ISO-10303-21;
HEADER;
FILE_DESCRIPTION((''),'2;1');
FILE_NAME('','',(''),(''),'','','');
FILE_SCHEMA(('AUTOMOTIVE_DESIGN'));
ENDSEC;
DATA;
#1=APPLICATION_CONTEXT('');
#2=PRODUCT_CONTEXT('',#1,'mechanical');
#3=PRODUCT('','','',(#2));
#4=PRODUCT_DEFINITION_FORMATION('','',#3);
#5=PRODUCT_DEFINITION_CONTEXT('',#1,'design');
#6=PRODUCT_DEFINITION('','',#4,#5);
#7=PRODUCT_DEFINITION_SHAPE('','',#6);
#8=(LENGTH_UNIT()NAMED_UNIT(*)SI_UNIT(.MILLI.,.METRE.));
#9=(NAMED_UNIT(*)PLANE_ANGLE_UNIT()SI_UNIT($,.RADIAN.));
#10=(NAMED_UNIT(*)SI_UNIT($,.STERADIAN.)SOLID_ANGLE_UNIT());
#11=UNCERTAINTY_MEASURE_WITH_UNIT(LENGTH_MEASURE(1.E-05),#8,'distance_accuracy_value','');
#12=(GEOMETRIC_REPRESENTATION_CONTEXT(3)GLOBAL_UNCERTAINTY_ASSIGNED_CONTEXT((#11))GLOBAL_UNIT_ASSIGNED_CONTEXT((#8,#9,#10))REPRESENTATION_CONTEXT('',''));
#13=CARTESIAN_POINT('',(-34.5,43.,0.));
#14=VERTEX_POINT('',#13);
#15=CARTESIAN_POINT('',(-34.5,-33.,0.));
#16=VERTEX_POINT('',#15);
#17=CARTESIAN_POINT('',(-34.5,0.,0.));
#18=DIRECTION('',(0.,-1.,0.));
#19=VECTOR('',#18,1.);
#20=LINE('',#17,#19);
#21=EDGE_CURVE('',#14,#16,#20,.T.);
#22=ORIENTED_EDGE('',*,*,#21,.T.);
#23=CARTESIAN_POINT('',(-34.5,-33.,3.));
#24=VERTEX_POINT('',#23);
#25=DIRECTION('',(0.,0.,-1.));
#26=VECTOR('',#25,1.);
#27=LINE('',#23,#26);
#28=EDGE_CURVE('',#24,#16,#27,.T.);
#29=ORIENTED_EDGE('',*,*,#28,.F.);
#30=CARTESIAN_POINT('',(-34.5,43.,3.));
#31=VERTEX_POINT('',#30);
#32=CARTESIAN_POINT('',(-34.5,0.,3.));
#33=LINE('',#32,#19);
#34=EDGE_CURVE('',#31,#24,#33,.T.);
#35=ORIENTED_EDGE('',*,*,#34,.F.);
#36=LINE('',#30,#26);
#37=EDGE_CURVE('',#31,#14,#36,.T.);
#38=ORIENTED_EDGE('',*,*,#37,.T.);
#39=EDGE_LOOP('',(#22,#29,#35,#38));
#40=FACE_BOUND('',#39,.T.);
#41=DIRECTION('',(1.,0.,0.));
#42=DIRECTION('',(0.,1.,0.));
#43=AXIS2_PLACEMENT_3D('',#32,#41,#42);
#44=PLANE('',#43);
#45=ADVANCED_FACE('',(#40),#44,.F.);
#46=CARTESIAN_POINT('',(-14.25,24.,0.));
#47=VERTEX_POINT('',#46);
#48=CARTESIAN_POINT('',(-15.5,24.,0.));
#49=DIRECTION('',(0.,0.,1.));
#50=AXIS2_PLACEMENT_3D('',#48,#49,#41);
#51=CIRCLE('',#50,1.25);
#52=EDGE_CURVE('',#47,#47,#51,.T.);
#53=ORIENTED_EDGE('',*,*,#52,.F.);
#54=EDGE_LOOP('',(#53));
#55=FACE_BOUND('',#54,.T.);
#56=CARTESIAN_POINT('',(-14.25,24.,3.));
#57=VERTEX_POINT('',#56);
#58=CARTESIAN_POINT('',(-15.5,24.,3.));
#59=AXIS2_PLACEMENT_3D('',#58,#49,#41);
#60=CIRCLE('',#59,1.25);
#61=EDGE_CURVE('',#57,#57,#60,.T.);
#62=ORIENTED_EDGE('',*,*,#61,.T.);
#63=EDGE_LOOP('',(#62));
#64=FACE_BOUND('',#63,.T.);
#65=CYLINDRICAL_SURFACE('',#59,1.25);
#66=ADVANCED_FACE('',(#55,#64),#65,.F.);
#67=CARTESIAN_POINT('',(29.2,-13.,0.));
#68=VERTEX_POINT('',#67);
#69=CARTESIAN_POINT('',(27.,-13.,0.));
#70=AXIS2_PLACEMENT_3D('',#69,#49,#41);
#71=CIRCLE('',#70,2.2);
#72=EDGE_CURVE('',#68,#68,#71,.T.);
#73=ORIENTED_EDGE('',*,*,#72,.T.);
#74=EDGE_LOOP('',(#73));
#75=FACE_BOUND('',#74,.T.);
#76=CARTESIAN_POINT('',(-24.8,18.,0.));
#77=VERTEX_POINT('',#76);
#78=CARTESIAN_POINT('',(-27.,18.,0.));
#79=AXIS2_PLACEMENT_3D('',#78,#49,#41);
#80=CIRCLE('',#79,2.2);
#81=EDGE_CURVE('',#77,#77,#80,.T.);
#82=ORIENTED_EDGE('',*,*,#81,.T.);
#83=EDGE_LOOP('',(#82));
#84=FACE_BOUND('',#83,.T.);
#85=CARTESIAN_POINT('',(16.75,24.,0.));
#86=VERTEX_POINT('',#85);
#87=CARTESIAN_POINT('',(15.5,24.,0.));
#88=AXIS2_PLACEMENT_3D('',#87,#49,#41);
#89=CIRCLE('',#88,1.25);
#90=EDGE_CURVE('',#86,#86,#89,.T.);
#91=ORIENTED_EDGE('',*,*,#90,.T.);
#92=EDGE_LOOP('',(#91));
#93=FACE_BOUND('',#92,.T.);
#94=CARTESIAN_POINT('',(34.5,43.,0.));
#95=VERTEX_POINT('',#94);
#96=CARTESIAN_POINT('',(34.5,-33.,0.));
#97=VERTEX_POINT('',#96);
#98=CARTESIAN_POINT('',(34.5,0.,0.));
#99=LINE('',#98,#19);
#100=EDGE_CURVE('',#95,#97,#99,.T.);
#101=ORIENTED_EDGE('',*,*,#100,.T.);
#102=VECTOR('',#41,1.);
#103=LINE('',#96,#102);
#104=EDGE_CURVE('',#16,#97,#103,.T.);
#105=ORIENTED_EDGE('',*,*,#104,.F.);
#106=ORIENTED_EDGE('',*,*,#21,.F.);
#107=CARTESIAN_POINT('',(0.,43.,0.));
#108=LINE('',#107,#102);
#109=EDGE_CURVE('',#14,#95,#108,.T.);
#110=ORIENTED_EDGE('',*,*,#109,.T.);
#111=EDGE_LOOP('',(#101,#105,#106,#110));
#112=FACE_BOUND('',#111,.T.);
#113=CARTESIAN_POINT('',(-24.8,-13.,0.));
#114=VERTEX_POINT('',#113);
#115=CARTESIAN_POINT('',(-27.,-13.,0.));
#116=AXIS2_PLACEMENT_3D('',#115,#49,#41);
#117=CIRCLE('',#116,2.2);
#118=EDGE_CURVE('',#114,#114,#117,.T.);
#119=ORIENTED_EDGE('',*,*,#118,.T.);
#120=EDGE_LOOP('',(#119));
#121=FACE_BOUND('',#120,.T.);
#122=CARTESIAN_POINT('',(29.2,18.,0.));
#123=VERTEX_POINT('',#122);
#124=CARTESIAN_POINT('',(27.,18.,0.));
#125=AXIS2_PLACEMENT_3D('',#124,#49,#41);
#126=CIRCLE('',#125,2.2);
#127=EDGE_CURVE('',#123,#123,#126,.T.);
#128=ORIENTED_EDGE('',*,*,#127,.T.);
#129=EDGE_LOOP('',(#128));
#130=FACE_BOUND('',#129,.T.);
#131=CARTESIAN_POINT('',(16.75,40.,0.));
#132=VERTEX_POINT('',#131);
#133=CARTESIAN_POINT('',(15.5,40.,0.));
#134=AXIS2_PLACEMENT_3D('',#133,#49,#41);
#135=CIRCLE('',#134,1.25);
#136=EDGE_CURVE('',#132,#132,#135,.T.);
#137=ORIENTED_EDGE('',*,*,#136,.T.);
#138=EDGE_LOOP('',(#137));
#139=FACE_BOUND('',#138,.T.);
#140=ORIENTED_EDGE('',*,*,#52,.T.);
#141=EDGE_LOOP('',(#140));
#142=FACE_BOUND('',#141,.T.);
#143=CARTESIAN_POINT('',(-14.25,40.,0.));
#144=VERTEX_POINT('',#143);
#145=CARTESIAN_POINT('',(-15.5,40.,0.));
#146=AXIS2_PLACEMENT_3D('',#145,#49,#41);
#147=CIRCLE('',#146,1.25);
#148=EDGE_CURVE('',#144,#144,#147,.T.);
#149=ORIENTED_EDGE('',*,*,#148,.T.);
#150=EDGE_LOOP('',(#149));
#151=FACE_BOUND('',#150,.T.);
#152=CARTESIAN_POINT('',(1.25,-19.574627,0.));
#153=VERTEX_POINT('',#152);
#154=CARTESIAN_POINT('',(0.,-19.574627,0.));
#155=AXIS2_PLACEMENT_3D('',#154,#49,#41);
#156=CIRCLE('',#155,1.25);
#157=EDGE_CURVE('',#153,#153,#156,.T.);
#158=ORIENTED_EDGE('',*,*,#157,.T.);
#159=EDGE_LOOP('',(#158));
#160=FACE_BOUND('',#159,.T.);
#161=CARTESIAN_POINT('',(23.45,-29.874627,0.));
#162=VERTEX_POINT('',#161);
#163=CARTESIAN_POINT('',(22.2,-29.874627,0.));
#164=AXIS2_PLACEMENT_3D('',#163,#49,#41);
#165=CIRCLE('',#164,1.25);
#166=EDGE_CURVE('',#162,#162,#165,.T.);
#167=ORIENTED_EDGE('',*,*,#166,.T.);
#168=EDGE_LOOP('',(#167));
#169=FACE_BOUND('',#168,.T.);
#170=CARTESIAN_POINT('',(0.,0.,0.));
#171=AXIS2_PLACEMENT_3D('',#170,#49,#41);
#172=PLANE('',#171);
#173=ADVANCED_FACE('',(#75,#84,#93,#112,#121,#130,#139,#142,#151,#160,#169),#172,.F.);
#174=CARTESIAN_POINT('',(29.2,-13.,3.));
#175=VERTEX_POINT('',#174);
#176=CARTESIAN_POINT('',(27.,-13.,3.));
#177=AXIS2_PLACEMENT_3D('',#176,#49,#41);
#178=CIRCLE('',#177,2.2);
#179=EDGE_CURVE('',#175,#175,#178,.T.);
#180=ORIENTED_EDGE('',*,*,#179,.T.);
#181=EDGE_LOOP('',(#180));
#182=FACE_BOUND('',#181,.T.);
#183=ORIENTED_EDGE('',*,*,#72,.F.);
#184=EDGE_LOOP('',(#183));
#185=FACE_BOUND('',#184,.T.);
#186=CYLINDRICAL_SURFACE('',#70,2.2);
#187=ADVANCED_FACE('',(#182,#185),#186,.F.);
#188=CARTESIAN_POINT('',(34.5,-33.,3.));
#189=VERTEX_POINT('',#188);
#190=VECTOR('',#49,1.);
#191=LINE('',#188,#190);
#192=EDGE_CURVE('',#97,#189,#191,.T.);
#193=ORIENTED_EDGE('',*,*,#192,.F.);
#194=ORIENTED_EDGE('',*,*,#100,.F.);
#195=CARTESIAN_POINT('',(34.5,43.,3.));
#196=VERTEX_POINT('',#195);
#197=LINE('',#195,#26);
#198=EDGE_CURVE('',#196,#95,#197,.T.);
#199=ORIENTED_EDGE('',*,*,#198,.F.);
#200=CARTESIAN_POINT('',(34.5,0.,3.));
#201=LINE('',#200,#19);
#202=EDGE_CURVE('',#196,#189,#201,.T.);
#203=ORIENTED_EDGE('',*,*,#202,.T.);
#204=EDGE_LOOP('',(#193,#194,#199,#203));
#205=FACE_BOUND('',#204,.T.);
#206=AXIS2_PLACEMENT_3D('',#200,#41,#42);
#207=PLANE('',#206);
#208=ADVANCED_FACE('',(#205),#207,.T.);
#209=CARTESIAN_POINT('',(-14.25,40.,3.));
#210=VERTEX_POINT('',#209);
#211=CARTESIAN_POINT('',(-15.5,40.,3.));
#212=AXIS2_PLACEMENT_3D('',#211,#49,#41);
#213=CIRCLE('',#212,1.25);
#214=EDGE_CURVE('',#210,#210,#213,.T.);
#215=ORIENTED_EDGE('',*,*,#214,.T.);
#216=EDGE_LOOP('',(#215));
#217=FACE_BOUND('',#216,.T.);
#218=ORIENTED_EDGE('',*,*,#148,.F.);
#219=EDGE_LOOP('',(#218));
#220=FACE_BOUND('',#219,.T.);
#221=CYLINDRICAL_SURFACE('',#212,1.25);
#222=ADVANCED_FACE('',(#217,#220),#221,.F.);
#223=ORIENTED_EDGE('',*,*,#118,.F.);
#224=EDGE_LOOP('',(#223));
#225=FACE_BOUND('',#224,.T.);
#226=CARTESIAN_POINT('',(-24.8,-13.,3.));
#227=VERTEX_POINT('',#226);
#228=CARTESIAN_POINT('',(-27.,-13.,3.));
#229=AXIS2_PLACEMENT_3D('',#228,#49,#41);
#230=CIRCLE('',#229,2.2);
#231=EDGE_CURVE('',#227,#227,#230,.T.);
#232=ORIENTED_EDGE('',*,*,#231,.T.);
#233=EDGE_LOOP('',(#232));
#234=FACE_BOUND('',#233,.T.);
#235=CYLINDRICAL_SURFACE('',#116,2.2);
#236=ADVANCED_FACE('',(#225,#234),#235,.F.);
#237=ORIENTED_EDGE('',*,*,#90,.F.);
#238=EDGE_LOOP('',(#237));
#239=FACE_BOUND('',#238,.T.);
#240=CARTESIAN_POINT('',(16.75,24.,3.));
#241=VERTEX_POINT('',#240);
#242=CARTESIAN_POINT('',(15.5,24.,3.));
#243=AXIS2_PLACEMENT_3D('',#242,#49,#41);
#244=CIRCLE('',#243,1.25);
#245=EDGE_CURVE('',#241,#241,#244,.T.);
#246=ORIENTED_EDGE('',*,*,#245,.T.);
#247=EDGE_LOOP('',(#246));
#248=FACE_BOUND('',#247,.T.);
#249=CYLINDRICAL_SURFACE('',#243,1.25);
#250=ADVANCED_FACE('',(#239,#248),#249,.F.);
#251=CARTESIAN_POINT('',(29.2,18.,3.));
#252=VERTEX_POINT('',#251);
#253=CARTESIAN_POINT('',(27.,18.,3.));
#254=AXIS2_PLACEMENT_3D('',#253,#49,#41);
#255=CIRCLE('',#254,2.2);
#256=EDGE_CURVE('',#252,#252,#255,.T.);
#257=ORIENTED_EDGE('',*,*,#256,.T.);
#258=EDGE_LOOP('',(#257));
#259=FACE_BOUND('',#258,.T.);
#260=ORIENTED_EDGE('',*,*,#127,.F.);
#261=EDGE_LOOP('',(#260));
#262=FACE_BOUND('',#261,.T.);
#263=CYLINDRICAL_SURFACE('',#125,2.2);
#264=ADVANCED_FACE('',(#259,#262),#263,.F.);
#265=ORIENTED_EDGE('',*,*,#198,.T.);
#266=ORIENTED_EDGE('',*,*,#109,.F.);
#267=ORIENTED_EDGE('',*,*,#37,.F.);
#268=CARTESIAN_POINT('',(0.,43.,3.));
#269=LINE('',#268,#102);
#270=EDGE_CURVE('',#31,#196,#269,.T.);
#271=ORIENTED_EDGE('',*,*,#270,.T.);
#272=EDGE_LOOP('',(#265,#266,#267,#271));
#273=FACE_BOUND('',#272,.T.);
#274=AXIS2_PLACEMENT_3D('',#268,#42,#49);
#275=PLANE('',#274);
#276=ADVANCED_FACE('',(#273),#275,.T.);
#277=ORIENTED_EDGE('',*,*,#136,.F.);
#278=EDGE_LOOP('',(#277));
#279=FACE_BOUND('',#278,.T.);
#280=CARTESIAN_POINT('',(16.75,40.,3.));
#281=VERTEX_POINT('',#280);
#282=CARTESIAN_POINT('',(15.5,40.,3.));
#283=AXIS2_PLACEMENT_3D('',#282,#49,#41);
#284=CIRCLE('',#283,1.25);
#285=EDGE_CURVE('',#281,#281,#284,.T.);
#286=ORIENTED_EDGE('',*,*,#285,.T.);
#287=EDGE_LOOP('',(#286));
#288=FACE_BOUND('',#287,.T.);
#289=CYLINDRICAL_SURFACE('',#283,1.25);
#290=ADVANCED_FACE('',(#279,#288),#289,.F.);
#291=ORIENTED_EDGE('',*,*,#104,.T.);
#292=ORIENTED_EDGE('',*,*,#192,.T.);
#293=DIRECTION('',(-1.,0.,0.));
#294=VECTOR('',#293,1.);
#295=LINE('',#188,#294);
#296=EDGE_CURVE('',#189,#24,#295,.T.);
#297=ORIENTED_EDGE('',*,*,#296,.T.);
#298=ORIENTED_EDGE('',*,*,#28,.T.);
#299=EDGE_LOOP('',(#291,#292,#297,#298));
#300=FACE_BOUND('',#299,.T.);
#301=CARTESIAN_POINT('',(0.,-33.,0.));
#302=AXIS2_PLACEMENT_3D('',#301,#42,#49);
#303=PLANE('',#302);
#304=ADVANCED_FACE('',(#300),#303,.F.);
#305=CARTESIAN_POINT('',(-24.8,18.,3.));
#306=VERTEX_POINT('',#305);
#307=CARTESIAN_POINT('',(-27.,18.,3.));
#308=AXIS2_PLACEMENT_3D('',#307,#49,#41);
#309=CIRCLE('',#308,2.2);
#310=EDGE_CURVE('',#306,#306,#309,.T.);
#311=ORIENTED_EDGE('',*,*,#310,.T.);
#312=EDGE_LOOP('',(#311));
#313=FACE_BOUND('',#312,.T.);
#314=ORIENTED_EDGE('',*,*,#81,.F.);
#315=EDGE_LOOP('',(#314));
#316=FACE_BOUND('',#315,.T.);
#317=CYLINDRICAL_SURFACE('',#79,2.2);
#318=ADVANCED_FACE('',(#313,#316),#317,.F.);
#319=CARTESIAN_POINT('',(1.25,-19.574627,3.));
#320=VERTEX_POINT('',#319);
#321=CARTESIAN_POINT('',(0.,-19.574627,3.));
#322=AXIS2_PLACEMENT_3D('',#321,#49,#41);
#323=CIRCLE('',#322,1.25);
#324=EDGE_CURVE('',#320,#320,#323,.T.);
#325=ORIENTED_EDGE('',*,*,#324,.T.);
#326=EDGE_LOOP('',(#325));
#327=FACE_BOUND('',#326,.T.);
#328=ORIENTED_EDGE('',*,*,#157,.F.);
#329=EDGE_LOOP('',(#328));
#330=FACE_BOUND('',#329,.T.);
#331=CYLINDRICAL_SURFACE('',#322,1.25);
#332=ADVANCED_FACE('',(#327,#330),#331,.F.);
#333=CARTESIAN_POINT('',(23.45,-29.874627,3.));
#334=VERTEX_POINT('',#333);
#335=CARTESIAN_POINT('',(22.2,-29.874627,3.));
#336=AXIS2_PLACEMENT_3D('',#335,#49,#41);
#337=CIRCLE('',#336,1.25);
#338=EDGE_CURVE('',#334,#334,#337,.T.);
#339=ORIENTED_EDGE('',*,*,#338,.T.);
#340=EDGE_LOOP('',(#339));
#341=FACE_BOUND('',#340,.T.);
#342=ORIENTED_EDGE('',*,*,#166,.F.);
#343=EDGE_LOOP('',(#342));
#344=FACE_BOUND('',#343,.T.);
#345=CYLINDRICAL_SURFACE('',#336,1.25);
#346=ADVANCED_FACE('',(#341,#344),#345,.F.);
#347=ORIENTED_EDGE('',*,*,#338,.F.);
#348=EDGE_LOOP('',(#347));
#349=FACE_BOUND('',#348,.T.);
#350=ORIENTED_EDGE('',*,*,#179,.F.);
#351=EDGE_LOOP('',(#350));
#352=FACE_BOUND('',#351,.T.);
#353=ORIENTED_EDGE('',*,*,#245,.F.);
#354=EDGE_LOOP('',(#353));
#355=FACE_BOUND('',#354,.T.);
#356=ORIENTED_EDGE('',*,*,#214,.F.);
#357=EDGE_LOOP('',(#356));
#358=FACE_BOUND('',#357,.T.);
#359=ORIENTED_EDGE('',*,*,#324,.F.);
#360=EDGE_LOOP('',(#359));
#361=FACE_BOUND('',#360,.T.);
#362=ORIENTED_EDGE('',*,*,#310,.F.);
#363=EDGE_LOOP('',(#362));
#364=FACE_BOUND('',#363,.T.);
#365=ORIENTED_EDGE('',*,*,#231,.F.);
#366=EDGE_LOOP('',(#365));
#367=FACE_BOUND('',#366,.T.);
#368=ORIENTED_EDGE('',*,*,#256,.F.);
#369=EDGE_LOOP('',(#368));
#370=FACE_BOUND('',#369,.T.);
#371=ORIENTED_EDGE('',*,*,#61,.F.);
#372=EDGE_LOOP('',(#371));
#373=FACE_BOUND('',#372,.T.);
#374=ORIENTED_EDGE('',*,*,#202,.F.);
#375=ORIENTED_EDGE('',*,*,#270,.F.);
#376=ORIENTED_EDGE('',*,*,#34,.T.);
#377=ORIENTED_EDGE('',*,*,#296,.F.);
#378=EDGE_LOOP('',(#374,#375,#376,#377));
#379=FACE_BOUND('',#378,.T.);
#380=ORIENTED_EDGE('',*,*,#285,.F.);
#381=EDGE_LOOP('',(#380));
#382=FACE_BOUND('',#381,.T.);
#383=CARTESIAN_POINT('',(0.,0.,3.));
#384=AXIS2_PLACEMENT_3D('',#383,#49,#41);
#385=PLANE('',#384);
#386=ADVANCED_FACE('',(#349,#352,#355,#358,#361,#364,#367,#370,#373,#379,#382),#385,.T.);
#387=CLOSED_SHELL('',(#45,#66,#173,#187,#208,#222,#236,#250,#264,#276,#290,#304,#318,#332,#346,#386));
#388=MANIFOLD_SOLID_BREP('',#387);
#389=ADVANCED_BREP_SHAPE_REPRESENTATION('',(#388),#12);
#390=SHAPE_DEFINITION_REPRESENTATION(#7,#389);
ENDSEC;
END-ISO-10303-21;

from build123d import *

# Parameters (mm, degrees)
SKETCH_1_W          = 7.5
SKETCH_1_H          = 9.347826087
SKETCH_1_H_2        = 10
EXTRUDE_1_DEPTH     = 3
SKETCH_2_R          = 2.2
CUT_EXTRUDE_1_DEPTH = 4
M3X0_5_1_D          = 2.5
M3X0_5_1_DEPTH      = 8.5
M3X0_5_1_TIP        = 0.751075774
SKETCH_6_W          = 69
SKETCH_6_H          = 3
CUT_EXTRUDE_2_DEPTH = 20
SKETCH_7_W          = 69
SKETCH_7_H          = 3
EXTRUDE_2_DEPTH     = 10
M3X0_5_2_D          = 2.5
M3X0_5_2_DEPTH      = 8.5
M3X0_5_2_TIP        = 0.751075774


with BuildPart() as part:
    # ｽｹｯﾁ1 → ﾎﾞｽ - 押し出し1 (new body)
    with BuildSketch(Plane.XY):
        Polygon((27, 43), (-27, 43), (-27, 33.652173913), (-34.5, 33.652173913), (-34.5, -33), (-27, -33), (-27, -43), (27, -43), (27, -33), (34.5, -33), (34.5, 33.652173913), (27, 33.652173913), align=None)
        with Locations((-30.75, 38.326086956)):
            Rectangle(SKETCH_1_W, SKETCH_1_H)
        with Locations((30.75, 38.326086956)):
            Rectangle(SKETCH_1_W, SKETCH_1_H)
        with Locations((30.75, -38)):
            Rectangle(SKETCH_1_W, SKETCH_1_H_2)
        with Locations((-30.75, -38)):
            Rectangle(SKETCH_1_W, SKETCH_1_H_2)
    extrude(amount=EXTRUDE_1_DEPTH)

    # ｽｹｯﾁ2 → ｶｯﾄ - 押し出し1 (cut, through all)
    with BuildSketch(Plane.XY.offset(3)):
        with Locations((-27, 18)):
            Circle(SKETCH_2_R)
        with Locations((27, 18)):
            Circle(SKETCH_2_R)
        with Locations((27, -13)):
            Circle(SKETCH_2_R)
        with Locations((-27, -13)):
            Circle(SKETCH_2_R)
    extrude(amount=-CUT_EXTRUDE_1_DEPTH, mode=Mode.SUBTRACT)

    # M3x0.5 ねじ穴1
    with Locations(Plane(origin=(-15.5, 24, 3), x_dir=(1, 0, 0), z_dir=(0, 0, 1))):
        with Locations((0, 0), (31, 0), (0, 16), (31, 16)):
            Hole(M3X0_5_1_D / 2, depth=M3X0_5_1_DEPTH)
            with Locations((0, 0, -(M3X0_5_1_DEPTH + M3X0_5_1_TIP / 2))):  # 118° drill point
                Cone(0, M3X0_5_1_D / 2, M3X0_5_1_TIP, mode=Mode.SUBTRACT)

    # ｽｹｯﾁ6 → ｶｯﾄ - 押し出し2 (cut)
    with BuildSketch(Plane(origin=(0, -43, 0), x_dir=(-1, 0, 0), z_dir=(0, -1, 0))):
        with Locations((0, -1.5)):
            Rectangle(SKETCH_6_W, SKETCH_6_H)
    extrude(amount=-CUT_EXTRUDE_2_DEPTH, mode=Mode.SUBTRACT)

    # ｽｹｯﾁ7 → ﾎﾞｽ - 押し出し2 (add)
    with BuildSketch(Plane(origin=(0, -23, 0), x_dir=(-1, 0, 0), z_dir=(0, -1, 0))):
        with Locations((0, -1.5)):
            Rectangle(SKETCH_7_W, SKETCH_7_H)
    extrude(amount=EXTRUDE_2_DEPTH)

    # M3x0.5 ねじ穴2
    with Locations(Plane(origin=(0, -19.574626956, 3), x_dir=(1, 0, 0), z_dir=(0, 0, 1))):
        with Locations((0, 0), (22.2, -10.3)):
            Hole(M3X0_5_2_D / 2, depth=M3X0_5_2_DEPTH)
            with Locations((0, 0, -(M3X0_5_2_DEPTH + M3X0_5_2_TIP / 2))):  # 118° drill point
                Cone(0, M3X0_5_2_D / 2, M3X0_5_2_TIP, mode=Mode.SUBTRACT)


solid = part.part
